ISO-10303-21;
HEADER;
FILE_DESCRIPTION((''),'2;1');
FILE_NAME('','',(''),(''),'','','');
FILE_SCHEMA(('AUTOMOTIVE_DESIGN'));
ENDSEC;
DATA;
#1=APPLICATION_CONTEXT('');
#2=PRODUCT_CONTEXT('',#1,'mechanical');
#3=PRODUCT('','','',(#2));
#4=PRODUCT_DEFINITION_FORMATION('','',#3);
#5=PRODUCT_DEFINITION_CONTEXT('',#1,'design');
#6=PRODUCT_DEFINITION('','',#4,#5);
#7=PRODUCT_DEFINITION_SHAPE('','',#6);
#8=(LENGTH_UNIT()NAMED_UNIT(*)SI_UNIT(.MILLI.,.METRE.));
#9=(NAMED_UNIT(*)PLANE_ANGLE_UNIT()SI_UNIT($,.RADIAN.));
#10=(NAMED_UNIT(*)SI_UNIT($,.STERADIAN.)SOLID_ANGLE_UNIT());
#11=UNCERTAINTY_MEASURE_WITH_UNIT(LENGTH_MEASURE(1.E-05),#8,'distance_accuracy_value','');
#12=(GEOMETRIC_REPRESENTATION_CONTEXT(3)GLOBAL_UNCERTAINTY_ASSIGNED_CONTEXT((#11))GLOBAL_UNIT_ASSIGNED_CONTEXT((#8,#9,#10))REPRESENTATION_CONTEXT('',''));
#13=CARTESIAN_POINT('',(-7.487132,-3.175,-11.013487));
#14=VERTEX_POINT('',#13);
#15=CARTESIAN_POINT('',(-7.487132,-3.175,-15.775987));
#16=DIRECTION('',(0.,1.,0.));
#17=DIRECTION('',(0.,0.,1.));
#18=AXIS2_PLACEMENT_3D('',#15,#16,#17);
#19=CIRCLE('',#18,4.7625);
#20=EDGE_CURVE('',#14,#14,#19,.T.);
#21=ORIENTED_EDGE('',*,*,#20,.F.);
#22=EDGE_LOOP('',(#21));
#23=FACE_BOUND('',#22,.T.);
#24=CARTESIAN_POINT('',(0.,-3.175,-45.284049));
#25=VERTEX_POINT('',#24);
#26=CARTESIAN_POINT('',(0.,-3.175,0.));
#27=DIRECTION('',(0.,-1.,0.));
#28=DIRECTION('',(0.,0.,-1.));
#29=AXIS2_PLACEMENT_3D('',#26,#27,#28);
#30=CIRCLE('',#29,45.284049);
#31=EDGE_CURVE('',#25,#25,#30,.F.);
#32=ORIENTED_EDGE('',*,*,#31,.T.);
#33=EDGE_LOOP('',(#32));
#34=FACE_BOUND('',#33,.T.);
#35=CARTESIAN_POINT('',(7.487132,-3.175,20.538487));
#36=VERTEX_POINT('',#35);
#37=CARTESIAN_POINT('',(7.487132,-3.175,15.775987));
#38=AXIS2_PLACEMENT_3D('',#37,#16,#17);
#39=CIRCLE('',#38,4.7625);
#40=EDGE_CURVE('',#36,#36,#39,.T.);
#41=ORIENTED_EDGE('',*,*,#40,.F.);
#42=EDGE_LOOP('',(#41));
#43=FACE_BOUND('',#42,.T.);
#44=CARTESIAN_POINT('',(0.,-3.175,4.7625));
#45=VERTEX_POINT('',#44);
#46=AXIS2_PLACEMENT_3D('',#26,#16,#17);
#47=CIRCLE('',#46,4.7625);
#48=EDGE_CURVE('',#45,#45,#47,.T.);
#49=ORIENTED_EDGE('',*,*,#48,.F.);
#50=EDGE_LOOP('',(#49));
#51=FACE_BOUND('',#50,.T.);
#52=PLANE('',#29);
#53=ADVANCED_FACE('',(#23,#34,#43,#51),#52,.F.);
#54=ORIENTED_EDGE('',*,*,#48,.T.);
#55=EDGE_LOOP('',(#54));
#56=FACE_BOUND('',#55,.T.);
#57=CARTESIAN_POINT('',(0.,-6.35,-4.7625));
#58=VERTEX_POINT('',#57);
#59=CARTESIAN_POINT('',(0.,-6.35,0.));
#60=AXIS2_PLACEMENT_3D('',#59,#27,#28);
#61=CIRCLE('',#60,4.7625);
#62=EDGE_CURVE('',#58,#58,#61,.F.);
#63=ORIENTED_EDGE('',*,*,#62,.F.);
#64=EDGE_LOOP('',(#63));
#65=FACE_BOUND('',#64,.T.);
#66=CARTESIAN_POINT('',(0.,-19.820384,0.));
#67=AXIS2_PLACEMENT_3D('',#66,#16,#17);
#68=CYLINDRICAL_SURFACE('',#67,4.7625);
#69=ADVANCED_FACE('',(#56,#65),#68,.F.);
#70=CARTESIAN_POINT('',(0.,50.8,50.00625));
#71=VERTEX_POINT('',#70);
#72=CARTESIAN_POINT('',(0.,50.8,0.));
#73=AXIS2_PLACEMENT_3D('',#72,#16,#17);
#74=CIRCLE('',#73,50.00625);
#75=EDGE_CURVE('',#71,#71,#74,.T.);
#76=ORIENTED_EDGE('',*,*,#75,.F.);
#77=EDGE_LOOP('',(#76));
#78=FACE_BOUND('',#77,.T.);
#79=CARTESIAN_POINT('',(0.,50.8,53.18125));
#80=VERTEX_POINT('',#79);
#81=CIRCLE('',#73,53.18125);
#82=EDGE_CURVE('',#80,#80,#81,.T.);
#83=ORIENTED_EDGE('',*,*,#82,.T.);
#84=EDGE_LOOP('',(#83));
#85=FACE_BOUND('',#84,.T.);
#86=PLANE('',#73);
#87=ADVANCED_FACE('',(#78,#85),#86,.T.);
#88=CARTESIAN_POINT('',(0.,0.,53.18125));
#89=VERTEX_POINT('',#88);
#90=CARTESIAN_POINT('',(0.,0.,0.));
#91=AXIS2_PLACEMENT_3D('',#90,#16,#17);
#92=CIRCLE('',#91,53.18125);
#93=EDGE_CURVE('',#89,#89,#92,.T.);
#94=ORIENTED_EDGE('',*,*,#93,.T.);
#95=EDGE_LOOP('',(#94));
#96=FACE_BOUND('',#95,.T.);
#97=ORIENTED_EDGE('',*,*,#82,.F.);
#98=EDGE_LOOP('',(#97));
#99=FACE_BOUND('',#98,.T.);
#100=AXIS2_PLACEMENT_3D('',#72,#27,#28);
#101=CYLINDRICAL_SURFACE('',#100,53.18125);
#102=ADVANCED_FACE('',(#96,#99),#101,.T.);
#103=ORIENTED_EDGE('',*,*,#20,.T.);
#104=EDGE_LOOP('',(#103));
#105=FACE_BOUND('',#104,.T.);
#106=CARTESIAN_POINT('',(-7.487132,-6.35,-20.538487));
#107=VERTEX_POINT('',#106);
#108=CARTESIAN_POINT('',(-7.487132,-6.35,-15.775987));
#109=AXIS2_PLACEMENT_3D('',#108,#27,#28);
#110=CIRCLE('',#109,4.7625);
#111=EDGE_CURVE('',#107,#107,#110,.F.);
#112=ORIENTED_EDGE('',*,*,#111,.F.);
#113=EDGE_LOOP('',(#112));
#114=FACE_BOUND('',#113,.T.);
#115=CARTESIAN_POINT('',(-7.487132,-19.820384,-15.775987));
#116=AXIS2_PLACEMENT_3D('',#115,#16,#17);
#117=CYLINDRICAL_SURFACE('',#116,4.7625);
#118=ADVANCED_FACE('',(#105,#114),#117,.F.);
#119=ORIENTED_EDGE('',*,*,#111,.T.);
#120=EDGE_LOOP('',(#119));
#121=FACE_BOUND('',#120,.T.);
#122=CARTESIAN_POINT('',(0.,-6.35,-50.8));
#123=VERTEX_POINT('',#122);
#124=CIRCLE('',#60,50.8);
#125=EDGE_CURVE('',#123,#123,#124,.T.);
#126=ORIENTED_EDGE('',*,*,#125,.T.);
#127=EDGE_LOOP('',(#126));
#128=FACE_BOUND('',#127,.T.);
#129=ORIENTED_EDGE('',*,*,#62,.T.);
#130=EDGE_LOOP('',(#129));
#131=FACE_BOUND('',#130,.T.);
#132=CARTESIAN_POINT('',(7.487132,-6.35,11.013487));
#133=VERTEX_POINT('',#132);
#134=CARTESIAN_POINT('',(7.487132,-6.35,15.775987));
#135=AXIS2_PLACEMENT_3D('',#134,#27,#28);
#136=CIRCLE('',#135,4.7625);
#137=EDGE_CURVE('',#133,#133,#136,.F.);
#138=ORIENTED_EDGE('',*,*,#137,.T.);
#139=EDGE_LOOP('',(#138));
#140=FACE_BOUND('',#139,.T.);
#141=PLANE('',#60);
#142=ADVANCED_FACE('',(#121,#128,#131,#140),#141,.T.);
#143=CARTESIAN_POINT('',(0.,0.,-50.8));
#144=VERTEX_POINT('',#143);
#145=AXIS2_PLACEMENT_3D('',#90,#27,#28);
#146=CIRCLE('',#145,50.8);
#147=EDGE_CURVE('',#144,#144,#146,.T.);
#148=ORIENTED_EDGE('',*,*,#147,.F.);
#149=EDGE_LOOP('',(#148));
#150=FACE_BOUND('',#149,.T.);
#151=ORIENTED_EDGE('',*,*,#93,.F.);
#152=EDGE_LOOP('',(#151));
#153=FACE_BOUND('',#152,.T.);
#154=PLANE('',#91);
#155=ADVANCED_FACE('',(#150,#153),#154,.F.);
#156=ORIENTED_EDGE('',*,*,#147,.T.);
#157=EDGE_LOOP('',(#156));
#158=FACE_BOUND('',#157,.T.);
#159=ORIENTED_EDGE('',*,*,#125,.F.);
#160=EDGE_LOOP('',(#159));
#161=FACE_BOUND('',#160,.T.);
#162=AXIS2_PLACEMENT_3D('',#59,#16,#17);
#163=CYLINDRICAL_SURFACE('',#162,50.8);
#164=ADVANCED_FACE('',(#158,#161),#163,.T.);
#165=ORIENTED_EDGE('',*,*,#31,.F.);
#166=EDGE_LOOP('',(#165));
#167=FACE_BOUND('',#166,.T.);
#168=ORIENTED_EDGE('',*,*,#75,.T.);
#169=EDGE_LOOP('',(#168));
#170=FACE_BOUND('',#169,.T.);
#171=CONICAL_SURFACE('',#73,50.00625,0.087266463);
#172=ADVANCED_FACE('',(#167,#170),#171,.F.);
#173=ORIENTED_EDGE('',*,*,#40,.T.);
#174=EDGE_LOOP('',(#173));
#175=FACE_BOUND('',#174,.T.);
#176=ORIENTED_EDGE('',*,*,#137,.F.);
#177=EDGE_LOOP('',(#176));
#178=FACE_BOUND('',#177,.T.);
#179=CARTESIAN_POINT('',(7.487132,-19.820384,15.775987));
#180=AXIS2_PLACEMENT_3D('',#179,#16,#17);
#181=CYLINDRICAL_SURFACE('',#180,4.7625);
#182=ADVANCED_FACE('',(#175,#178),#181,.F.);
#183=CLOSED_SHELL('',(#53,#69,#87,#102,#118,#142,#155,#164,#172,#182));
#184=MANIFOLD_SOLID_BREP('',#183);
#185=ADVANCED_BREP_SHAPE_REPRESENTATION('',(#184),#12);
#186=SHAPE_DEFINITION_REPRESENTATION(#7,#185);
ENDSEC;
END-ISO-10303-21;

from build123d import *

# Parameters (mm, degrees)
SKETCH1_R           = 53.18125
BOSS_EXTRUDE1_DEPTH = 50.8
SKETCH2_R           = 50.8
SKETCH2_R_2         = 47.625
BOSS_EXTRUDE2_DEPTH = 6.35
SKETCH3_R           = 50.00625
CUT_EXTRUDE1_DEPTH  = 53.975
CUT_EXTRUDE1_DRAFT  = -5
SKETCH4_R           = 4.7625
CUT_EXTRUDE3_DEPTH  = 3.175


with BuildPart() as part:
    # Sketch1 → Boss-Extrude1 (new body)
    with BuildSketch(Plane(origin=(0, 0, 0), x_dir=(1, 0, 0), z_dir=(0, 1, 0))):
        with Locations(Location((0, 0, 0), (0, 0, 270))):
            Circle(SKETCH1_R)
    extrude(amount=BOSS_EXTRUDE1_DEPTH)

    # Sketch2 → Boss-Extrude2 (add)
    with BuildSketch(Plane.XZ):
        with Locations(Location((0, 0, 0), (0, 0, 270))):
            Circle(SKETCH2_R)
        Circle(SKETCH2_R_2, mode=Mode.SUBTRACT)
        Circle(SKETCH2_R_2)
    extrude(amount=BOSS_EXTRUDE2_DEPTH)


with BuildPart() as cut_extrude1_tool:
    # Sketch3 → Cut-Extrude1 (with draft: the straight prism first)
    with BuildSketch(Plane(origin=(0, 50.8, 0), x_dir=(1, 0, 0), z_dir=(0, 1, 0))):
        Circle(SKETCH3_R)
    extrude(amount=-CUT_EXTRUDE1_DEPTH)
    # Cut-Extrude1: the draft: its side faces are tilted about the plane it starts from
    cut_extrude1_sides = [cut_extrude1_tool.faces().sort_by_distance(p)[0] for p in [
        (-50.00625, 23.8125, 0),
    ]]
    draft(cut_extrude1_sides, Plane(origin=(0, 50.8, 0), x_dir=(1, 0, 0), z_dir=(0, 1, 0)), CUT_EXTRUDE1_DRAFT)


with BuildPart() as part_1:
    add(part.part)

    # Cut-Extrude1: cut by cut_extrude1_tool
    add(cut_extrude1_tool.part, mode=Mode.SUBTRACT)

    # Sketch4 → Cut-Extrude3 (cut)
    with BuildSketch(Plane(origin=(0, -3.175, 0), x_dir=(1, 0, 0), z_dir=(0, 1, 0))):
        with Locations(Location((7.487131795, -15.775986934, 0), (0, 0, 270))):
            Circle(SKETCH4_R)
        with Locations(Location((0, 0, 0), (0, 0, 270))):
            Circle(SKETCH4_R)
        with Locations(Location((-7.487131795, 15.775986934, 0), (0, 0, 270))):
            Circle(SKETCH4_R)
    extrude(amount=-CUT_EXTRUDE3_DEPTH, mode=Mode.SUBTRACT)


solid = part_1.part
